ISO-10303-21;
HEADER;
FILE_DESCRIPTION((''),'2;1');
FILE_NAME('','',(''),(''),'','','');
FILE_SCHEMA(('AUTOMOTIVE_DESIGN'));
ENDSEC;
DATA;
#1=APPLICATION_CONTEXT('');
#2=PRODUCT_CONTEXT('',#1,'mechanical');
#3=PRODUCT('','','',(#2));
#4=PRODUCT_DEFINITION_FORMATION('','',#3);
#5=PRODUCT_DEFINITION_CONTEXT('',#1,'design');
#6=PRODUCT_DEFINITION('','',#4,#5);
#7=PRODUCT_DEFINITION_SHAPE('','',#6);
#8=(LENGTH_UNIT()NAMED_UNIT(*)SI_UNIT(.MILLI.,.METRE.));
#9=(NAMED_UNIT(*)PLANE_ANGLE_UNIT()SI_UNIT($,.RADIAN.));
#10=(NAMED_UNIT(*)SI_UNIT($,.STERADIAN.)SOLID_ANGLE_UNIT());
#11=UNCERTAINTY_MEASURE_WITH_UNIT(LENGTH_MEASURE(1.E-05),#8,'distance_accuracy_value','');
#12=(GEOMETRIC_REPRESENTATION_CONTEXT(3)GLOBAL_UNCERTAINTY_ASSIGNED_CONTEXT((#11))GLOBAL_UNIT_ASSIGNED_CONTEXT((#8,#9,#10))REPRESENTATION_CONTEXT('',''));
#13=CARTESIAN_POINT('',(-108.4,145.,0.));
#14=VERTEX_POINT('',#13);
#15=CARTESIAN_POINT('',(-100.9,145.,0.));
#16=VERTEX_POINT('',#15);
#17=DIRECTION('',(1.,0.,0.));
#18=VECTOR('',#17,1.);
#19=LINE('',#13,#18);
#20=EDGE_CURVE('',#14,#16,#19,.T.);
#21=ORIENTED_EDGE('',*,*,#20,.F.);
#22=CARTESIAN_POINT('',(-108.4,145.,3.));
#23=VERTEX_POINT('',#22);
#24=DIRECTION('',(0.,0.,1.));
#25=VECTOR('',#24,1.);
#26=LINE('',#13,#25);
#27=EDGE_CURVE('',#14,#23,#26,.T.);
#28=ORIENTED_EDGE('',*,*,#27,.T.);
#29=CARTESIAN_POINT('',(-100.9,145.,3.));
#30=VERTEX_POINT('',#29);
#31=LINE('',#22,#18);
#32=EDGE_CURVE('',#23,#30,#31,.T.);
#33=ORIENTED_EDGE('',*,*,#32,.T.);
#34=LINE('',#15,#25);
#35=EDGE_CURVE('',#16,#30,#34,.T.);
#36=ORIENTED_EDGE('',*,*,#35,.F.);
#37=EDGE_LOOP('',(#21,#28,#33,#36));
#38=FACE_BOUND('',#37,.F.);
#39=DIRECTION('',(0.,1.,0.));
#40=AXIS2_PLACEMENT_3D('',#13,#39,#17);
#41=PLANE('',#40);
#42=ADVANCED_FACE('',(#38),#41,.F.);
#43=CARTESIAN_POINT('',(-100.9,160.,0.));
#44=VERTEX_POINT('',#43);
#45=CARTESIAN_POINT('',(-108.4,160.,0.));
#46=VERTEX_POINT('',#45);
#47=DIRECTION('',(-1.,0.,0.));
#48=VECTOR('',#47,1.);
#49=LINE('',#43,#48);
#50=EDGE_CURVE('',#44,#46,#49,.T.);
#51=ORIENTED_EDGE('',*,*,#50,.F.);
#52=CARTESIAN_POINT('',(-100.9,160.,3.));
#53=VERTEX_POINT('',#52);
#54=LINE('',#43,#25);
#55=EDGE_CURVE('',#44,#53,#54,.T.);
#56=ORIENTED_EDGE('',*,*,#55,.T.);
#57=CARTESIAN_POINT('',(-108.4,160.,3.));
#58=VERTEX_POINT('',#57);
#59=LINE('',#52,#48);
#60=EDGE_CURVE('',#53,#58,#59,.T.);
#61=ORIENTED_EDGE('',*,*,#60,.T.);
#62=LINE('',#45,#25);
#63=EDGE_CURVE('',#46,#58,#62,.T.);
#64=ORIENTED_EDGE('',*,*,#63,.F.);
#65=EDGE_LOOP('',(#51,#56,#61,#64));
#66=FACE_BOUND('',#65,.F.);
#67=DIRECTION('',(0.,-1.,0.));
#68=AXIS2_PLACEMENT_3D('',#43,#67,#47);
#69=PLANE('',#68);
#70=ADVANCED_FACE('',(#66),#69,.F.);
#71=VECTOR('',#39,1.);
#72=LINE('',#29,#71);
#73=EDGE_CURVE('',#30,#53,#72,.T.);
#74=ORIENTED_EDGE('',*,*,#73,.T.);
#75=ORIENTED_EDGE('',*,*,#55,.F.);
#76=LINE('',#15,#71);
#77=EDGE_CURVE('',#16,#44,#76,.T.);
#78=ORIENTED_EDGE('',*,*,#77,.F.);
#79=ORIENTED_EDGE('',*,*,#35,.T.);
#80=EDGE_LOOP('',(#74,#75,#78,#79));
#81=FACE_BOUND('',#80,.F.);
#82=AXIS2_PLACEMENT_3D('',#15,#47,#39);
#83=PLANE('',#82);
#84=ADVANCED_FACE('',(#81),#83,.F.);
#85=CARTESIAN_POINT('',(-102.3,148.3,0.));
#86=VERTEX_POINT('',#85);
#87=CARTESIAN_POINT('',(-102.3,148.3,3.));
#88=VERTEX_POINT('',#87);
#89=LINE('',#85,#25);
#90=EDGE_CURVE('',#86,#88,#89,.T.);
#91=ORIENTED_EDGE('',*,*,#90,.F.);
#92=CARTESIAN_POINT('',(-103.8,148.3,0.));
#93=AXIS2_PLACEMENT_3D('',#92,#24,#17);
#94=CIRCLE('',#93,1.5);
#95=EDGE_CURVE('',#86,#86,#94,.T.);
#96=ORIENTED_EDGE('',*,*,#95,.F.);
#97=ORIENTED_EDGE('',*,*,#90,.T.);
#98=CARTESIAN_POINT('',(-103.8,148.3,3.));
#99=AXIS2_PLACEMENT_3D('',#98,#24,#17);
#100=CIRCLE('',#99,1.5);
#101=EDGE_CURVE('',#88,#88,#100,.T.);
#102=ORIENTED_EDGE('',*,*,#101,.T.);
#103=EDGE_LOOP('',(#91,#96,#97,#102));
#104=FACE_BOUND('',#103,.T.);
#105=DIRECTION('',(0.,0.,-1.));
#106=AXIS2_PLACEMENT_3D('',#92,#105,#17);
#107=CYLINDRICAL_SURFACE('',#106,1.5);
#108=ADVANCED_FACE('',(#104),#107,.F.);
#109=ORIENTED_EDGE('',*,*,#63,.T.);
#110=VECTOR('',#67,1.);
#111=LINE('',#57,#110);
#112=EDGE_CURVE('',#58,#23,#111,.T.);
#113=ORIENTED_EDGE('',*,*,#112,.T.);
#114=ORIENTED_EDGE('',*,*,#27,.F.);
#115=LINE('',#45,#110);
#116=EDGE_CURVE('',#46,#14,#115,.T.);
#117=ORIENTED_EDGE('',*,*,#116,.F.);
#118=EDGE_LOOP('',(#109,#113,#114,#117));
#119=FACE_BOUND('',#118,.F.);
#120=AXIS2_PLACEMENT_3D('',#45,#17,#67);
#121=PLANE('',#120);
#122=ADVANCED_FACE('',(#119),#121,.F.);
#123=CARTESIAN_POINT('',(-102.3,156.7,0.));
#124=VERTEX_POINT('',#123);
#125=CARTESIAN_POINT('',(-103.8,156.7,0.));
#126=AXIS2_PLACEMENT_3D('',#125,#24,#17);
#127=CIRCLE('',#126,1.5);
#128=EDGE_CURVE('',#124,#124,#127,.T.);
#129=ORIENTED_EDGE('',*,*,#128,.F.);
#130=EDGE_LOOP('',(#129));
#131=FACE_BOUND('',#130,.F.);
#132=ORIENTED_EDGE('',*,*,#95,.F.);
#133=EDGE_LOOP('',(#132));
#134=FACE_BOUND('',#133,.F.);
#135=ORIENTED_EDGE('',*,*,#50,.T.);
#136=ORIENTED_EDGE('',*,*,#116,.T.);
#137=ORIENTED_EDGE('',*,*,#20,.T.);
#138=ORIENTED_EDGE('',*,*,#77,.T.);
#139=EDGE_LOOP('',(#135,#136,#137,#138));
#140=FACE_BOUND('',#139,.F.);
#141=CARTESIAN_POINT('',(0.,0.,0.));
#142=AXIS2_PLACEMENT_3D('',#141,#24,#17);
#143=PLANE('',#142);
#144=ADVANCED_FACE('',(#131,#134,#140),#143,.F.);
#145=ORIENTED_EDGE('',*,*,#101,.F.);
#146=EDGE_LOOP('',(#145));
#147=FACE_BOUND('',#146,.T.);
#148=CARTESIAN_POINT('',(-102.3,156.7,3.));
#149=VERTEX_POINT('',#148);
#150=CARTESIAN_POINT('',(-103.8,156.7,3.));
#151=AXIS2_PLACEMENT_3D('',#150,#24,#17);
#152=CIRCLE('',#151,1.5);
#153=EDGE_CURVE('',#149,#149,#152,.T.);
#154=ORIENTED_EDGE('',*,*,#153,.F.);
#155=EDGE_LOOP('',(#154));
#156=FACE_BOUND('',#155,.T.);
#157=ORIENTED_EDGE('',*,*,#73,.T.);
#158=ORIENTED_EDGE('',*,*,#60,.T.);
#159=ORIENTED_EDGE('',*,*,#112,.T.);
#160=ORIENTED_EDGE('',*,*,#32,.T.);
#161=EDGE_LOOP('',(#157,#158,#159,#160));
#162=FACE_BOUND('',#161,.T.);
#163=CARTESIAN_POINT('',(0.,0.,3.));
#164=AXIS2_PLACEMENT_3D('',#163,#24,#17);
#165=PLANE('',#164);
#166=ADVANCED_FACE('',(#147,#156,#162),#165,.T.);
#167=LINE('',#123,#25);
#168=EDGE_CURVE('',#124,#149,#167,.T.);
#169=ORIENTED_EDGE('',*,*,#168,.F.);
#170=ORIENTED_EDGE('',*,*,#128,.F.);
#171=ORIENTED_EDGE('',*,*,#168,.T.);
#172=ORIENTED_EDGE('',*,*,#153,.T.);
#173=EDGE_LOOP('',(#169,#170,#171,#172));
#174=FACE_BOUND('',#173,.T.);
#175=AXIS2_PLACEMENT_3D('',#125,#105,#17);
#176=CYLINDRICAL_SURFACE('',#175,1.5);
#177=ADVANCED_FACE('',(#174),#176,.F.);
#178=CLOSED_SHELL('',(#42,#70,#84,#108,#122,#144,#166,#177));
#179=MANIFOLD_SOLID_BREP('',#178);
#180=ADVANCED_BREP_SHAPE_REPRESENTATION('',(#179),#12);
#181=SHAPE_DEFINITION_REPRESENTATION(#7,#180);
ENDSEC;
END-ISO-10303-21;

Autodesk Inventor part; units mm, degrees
ref_plane "YZ Plane" through (0, 0, 0) normal (1, 0, 0) x (0, 1, 0)
ref_plane "XZ Plane" through (0, 0, 0) normal (0, 1, 0) x (-1, 0, 0)
ref_plane "XY Plane" through (0, 0, 0) normal (0, 0, 1) x (1, 0, 0)
ref_plane "Plano de trabajo1" through (0, 0, 0) normal (0, 0, 1) x (1, 0, 0)
sketch "Boceto1" plane through (0, 0, 0) normal (0, 0, 1) x (1, 0, 0)
  circle A0 centre (36.5, 9) radius 1.5 projected
  circle A1 centre (-11.85, 9) radius 1.5 projected
  circle A2 centre (84.85, 9) radius 1.5 projected
  line L0 (-112.15, 0) -> (105.85, 0) projected
  line L1 (105.85, 0) -> (105.85, 146.9) projected
  line L2 (105.85, 146.9) -> (112.15, 146.9) projected
  line L3 (112.15, 146.9) -> (112.15, 160) projected
  line L4 (112.15, 160) -> (105.85, 160) projected
  line L5 (105.85, 160) -> (105.85, 180) projected
  line L6 (105.85, 180) -> (-100.9, 180) projected
  line L7 (-100.9, 180) -> (-100.9, 160) projected
  line L8 (-100.9, 160) -> (-108.4, 160) projected
  line L9 (-108.4, 160) -> (-108.4, 145) projected
  line L10 (-108.4, 145) -> (-100.9, 145) projected
  line L11 (-100.9, 145) -> (-100.9, 142) projected
  line L12 (-100.9, 142) -> (-112.15, 142) projected
  line L13 (-112.15, 142) -> (-112.15, 0) projected
  circle A3 centre (108.75, 156.3) radius 1.5 projected
  circle A4 centre (-103.8, 148.3) radius 1.5 projected
  circle A5 centre (-103.8, 156.7) radius 1.5 projected
  circle A6 centre (108.75, 150.6) radius 1.5 projected
  line L14 (-14.65, 175.8) -> (-14.65, 157.7) projected
  line L15 (-14.65, 157.7) -> (-22.65, 157.7) projected
  line L16 (-22.65, 157.7) -> (-22.65, 175.8) projected
  line L17 (-22.65, 175.8) -> (-14.65, 175.8) projected
  line L18 (56.65, 169.8) -> (56.65, 163.3) projected
  line L19 (56.65, 163.3) -> (50.15, 163.3) projected
  line L20 (50.15, 163.3) -> (50.15, 169.8) projected
  line L21 (50.15, 169.8) -> (56.65, 169.8) projected
  line L22 (38.55, 169.8) -> (38.55, 163.3) projected
  line L23 (38.55, 163.3) -> (32.05, 163.3) projected
  line L24 (32.05, 163.3) -> (32.05, 169.8) projected
  line L25 (32.05, 169.8) -> (38.55, 169.8) projected
  line L26 (-4.15, 163.3) -> (-4.15, 169.8) projected
  line L27 (-4.15, 169.8) -> (2.35, 169.8) projected
  line L28 (2.35, 169.8) -> (2.35, 163.3) projected
  line L29 (2.35, 163.3) -> (-4.15, 163.3) projected
  line L30 (78.15, 169.8) -> (78.15, 163.3) projected
  line L31 (78.15, 163.3) -> (71.65, 163.3) projected
  line L32 (71.65, 163.3) -> (71.65, 169.8) projected
  line L33 (71.65, 169.8) -> (78.15, 169.8) projected
  line L34 (20.45, 169.8) -> (20.45, 163.3) projected
  line L35 (20.45, 163.3) -> (13.95, 163.3) projected
  line L36 (13.95, 163.3) -> (13.95, 169.8) projected
  line L37 (13.95, 169.8) -> (20.45, 169.8) projected
  circle A7 centre (-62.15, 35) radius 1.6 projected
  circle A8 centre (-37.15, 35) radius 1.6 projected
  line L38 (-85.9, 15) -> (-97.15, 15) projected
  line L39 (-97.15, 15) -> (-97.15, 127) projected
  line L40 (-97.15, 127) -> (-85.9, 127) projected
  line L41 (-85.9, 127) -> (-85.9, 165) projected
  line L42 (-85.9, 165) -> (-57.05, 165) projected
  line L43 (-57.05, 165) -> (-57.05, 48.4) projected
  line L44 (-57.05, 48.4) -> (-85.9, 48.4) projected
  line L45 (-85.9, 48.4) -> (-85.9, 15) projected
  line L46 (-17.85, 15) -> (-17.85, 150.7) projected
  line L47 (-17.85, 150.7) -> (90.85, 150.7) projected
  line L48 (90.85, 150.7) -> (90.85, 15) projected
  line L49 (90.85, 15) -> (-17.85, 15) projected
  line L50 (-100.9, 145) -> (-100.9, 160)
  point P0 (0, 0)
extrude "Extrusión1" add sketch "Boceto1" along normal blind 3 contours L10 L9 L8 L50
properties part number "soporte pantalla 2"
